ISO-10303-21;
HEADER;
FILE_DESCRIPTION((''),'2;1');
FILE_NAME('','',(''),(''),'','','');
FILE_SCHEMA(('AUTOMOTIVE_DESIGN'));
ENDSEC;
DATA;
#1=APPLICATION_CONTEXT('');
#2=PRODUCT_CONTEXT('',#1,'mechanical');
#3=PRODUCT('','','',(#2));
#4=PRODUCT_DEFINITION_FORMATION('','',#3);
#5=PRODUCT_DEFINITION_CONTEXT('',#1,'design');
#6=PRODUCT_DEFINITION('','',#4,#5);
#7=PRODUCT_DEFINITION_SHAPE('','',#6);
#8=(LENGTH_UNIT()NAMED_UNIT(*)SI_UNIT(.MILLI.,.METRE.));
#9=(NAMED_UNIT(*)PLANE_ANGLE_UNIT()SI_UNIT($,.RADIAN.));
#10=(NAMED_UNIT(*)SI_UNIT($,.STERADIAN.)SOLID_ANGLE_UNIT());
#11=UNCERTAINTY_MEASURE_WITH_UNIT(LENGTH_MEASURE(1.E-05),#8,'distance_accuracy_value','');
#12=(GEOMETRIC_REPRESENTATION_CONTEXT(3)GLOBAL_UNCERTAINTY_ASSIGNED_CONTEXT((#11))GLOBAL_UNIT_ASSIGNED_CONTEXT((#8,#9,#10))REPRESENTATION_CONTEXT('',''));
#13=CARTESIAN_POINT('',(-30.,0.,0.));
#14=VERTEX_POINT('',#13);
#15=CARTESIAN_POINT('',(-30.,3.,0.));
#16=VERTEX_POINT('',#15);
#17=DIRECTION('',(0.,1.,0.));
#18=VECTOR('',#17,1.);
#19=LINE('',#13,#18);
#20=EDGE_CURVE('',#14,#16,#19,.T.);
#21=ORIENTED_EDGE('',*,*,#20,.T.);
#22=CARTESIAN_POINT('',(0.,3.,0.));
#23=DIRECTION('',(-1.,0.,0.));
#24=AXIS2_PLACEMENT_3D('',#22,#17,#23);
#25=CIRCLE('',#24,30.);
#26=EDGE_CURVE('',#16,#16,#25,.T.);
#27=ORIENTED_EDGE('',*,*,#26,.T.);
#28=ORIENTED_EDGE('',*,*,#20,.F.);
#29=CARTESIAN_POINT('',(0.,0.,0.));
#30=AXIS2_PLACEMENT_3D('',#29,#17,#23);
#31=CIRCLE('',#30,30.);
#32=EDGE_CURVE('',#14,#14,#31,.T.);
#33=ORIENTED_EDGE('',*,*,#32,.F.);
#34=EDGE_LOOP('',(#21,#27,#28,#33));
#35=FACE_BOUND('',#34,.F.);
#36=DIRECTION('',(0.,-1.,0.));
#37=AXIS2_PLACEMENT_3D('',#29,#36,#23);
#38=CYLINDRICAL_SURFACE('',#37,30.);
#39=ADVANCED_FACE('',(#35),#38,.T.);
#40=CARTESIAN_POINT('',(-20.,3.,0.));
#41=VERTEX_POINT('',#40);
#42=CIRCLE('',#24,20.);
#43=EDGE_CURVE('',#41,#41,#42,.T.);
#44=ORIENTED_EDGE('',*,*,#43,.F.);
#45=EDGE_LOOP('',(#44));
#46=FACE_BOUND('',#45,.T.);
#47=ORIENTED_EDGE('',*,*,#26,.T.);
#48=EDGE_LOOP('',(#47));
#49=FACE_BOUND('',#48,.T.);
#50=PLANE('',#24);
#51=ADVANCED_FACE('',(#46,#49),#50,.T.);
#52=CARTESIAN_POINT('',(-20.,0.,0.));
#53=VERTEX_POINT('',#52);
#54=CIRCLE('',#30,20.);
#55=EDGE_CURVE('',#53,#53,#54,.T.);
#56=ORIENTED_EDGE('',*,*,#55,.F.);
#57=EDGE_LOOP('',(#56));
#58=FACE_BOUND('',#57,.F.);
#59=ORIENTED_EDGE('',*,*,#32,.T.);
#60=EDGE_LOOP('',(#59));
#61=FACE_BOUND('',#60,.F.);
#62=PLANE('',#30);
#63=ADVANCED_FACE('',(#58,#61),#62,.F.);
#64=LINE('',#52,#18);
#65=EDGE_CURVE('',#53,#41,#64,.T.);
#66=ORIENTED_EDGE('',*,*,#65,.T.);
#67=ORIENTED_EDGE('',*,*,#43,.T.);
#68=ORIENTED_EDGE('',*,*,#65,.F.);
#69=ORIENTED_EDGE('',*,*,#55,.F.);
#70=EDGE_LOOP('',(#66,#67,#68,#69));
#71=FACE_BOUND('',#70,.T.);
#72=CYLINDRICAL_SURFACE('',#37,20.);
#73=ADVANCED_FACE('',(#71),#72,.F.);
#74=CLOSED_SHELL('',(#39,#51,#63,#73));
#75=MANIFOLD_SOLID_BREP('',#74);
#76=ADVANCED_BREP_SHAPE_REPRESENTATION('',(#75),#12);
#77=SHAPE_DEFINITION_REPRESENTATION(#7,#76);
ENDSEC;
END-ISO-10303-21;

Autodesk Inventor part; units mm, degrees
ref_plane "YZ Plane" through (0, 0, 0) normal (1, 0, 0) x (0, 1, 0)
ref_plane "XZ Plane" through (0, 0, 0) normal (0, 1, 0) x (-1, 0, 0)
ref_plane "XY Plane" through (0, 0, 0) normal (0, 0, 1) x (1, 0, 0)
sketch "Sketch1" plane through (0, 0, 0) normal (0, 1, 0) x (-1, 0, 0)
  circle A0 centre (0, 0) radius 20
  circle A1 centre (0, 0) radius 30
  dimension "d0" = 40
  dimension "d1" = 60
extrude "Extrusion1" add sketch "Sketch1" along normal blind 3
properties part number "THRUST BEARING 40"
